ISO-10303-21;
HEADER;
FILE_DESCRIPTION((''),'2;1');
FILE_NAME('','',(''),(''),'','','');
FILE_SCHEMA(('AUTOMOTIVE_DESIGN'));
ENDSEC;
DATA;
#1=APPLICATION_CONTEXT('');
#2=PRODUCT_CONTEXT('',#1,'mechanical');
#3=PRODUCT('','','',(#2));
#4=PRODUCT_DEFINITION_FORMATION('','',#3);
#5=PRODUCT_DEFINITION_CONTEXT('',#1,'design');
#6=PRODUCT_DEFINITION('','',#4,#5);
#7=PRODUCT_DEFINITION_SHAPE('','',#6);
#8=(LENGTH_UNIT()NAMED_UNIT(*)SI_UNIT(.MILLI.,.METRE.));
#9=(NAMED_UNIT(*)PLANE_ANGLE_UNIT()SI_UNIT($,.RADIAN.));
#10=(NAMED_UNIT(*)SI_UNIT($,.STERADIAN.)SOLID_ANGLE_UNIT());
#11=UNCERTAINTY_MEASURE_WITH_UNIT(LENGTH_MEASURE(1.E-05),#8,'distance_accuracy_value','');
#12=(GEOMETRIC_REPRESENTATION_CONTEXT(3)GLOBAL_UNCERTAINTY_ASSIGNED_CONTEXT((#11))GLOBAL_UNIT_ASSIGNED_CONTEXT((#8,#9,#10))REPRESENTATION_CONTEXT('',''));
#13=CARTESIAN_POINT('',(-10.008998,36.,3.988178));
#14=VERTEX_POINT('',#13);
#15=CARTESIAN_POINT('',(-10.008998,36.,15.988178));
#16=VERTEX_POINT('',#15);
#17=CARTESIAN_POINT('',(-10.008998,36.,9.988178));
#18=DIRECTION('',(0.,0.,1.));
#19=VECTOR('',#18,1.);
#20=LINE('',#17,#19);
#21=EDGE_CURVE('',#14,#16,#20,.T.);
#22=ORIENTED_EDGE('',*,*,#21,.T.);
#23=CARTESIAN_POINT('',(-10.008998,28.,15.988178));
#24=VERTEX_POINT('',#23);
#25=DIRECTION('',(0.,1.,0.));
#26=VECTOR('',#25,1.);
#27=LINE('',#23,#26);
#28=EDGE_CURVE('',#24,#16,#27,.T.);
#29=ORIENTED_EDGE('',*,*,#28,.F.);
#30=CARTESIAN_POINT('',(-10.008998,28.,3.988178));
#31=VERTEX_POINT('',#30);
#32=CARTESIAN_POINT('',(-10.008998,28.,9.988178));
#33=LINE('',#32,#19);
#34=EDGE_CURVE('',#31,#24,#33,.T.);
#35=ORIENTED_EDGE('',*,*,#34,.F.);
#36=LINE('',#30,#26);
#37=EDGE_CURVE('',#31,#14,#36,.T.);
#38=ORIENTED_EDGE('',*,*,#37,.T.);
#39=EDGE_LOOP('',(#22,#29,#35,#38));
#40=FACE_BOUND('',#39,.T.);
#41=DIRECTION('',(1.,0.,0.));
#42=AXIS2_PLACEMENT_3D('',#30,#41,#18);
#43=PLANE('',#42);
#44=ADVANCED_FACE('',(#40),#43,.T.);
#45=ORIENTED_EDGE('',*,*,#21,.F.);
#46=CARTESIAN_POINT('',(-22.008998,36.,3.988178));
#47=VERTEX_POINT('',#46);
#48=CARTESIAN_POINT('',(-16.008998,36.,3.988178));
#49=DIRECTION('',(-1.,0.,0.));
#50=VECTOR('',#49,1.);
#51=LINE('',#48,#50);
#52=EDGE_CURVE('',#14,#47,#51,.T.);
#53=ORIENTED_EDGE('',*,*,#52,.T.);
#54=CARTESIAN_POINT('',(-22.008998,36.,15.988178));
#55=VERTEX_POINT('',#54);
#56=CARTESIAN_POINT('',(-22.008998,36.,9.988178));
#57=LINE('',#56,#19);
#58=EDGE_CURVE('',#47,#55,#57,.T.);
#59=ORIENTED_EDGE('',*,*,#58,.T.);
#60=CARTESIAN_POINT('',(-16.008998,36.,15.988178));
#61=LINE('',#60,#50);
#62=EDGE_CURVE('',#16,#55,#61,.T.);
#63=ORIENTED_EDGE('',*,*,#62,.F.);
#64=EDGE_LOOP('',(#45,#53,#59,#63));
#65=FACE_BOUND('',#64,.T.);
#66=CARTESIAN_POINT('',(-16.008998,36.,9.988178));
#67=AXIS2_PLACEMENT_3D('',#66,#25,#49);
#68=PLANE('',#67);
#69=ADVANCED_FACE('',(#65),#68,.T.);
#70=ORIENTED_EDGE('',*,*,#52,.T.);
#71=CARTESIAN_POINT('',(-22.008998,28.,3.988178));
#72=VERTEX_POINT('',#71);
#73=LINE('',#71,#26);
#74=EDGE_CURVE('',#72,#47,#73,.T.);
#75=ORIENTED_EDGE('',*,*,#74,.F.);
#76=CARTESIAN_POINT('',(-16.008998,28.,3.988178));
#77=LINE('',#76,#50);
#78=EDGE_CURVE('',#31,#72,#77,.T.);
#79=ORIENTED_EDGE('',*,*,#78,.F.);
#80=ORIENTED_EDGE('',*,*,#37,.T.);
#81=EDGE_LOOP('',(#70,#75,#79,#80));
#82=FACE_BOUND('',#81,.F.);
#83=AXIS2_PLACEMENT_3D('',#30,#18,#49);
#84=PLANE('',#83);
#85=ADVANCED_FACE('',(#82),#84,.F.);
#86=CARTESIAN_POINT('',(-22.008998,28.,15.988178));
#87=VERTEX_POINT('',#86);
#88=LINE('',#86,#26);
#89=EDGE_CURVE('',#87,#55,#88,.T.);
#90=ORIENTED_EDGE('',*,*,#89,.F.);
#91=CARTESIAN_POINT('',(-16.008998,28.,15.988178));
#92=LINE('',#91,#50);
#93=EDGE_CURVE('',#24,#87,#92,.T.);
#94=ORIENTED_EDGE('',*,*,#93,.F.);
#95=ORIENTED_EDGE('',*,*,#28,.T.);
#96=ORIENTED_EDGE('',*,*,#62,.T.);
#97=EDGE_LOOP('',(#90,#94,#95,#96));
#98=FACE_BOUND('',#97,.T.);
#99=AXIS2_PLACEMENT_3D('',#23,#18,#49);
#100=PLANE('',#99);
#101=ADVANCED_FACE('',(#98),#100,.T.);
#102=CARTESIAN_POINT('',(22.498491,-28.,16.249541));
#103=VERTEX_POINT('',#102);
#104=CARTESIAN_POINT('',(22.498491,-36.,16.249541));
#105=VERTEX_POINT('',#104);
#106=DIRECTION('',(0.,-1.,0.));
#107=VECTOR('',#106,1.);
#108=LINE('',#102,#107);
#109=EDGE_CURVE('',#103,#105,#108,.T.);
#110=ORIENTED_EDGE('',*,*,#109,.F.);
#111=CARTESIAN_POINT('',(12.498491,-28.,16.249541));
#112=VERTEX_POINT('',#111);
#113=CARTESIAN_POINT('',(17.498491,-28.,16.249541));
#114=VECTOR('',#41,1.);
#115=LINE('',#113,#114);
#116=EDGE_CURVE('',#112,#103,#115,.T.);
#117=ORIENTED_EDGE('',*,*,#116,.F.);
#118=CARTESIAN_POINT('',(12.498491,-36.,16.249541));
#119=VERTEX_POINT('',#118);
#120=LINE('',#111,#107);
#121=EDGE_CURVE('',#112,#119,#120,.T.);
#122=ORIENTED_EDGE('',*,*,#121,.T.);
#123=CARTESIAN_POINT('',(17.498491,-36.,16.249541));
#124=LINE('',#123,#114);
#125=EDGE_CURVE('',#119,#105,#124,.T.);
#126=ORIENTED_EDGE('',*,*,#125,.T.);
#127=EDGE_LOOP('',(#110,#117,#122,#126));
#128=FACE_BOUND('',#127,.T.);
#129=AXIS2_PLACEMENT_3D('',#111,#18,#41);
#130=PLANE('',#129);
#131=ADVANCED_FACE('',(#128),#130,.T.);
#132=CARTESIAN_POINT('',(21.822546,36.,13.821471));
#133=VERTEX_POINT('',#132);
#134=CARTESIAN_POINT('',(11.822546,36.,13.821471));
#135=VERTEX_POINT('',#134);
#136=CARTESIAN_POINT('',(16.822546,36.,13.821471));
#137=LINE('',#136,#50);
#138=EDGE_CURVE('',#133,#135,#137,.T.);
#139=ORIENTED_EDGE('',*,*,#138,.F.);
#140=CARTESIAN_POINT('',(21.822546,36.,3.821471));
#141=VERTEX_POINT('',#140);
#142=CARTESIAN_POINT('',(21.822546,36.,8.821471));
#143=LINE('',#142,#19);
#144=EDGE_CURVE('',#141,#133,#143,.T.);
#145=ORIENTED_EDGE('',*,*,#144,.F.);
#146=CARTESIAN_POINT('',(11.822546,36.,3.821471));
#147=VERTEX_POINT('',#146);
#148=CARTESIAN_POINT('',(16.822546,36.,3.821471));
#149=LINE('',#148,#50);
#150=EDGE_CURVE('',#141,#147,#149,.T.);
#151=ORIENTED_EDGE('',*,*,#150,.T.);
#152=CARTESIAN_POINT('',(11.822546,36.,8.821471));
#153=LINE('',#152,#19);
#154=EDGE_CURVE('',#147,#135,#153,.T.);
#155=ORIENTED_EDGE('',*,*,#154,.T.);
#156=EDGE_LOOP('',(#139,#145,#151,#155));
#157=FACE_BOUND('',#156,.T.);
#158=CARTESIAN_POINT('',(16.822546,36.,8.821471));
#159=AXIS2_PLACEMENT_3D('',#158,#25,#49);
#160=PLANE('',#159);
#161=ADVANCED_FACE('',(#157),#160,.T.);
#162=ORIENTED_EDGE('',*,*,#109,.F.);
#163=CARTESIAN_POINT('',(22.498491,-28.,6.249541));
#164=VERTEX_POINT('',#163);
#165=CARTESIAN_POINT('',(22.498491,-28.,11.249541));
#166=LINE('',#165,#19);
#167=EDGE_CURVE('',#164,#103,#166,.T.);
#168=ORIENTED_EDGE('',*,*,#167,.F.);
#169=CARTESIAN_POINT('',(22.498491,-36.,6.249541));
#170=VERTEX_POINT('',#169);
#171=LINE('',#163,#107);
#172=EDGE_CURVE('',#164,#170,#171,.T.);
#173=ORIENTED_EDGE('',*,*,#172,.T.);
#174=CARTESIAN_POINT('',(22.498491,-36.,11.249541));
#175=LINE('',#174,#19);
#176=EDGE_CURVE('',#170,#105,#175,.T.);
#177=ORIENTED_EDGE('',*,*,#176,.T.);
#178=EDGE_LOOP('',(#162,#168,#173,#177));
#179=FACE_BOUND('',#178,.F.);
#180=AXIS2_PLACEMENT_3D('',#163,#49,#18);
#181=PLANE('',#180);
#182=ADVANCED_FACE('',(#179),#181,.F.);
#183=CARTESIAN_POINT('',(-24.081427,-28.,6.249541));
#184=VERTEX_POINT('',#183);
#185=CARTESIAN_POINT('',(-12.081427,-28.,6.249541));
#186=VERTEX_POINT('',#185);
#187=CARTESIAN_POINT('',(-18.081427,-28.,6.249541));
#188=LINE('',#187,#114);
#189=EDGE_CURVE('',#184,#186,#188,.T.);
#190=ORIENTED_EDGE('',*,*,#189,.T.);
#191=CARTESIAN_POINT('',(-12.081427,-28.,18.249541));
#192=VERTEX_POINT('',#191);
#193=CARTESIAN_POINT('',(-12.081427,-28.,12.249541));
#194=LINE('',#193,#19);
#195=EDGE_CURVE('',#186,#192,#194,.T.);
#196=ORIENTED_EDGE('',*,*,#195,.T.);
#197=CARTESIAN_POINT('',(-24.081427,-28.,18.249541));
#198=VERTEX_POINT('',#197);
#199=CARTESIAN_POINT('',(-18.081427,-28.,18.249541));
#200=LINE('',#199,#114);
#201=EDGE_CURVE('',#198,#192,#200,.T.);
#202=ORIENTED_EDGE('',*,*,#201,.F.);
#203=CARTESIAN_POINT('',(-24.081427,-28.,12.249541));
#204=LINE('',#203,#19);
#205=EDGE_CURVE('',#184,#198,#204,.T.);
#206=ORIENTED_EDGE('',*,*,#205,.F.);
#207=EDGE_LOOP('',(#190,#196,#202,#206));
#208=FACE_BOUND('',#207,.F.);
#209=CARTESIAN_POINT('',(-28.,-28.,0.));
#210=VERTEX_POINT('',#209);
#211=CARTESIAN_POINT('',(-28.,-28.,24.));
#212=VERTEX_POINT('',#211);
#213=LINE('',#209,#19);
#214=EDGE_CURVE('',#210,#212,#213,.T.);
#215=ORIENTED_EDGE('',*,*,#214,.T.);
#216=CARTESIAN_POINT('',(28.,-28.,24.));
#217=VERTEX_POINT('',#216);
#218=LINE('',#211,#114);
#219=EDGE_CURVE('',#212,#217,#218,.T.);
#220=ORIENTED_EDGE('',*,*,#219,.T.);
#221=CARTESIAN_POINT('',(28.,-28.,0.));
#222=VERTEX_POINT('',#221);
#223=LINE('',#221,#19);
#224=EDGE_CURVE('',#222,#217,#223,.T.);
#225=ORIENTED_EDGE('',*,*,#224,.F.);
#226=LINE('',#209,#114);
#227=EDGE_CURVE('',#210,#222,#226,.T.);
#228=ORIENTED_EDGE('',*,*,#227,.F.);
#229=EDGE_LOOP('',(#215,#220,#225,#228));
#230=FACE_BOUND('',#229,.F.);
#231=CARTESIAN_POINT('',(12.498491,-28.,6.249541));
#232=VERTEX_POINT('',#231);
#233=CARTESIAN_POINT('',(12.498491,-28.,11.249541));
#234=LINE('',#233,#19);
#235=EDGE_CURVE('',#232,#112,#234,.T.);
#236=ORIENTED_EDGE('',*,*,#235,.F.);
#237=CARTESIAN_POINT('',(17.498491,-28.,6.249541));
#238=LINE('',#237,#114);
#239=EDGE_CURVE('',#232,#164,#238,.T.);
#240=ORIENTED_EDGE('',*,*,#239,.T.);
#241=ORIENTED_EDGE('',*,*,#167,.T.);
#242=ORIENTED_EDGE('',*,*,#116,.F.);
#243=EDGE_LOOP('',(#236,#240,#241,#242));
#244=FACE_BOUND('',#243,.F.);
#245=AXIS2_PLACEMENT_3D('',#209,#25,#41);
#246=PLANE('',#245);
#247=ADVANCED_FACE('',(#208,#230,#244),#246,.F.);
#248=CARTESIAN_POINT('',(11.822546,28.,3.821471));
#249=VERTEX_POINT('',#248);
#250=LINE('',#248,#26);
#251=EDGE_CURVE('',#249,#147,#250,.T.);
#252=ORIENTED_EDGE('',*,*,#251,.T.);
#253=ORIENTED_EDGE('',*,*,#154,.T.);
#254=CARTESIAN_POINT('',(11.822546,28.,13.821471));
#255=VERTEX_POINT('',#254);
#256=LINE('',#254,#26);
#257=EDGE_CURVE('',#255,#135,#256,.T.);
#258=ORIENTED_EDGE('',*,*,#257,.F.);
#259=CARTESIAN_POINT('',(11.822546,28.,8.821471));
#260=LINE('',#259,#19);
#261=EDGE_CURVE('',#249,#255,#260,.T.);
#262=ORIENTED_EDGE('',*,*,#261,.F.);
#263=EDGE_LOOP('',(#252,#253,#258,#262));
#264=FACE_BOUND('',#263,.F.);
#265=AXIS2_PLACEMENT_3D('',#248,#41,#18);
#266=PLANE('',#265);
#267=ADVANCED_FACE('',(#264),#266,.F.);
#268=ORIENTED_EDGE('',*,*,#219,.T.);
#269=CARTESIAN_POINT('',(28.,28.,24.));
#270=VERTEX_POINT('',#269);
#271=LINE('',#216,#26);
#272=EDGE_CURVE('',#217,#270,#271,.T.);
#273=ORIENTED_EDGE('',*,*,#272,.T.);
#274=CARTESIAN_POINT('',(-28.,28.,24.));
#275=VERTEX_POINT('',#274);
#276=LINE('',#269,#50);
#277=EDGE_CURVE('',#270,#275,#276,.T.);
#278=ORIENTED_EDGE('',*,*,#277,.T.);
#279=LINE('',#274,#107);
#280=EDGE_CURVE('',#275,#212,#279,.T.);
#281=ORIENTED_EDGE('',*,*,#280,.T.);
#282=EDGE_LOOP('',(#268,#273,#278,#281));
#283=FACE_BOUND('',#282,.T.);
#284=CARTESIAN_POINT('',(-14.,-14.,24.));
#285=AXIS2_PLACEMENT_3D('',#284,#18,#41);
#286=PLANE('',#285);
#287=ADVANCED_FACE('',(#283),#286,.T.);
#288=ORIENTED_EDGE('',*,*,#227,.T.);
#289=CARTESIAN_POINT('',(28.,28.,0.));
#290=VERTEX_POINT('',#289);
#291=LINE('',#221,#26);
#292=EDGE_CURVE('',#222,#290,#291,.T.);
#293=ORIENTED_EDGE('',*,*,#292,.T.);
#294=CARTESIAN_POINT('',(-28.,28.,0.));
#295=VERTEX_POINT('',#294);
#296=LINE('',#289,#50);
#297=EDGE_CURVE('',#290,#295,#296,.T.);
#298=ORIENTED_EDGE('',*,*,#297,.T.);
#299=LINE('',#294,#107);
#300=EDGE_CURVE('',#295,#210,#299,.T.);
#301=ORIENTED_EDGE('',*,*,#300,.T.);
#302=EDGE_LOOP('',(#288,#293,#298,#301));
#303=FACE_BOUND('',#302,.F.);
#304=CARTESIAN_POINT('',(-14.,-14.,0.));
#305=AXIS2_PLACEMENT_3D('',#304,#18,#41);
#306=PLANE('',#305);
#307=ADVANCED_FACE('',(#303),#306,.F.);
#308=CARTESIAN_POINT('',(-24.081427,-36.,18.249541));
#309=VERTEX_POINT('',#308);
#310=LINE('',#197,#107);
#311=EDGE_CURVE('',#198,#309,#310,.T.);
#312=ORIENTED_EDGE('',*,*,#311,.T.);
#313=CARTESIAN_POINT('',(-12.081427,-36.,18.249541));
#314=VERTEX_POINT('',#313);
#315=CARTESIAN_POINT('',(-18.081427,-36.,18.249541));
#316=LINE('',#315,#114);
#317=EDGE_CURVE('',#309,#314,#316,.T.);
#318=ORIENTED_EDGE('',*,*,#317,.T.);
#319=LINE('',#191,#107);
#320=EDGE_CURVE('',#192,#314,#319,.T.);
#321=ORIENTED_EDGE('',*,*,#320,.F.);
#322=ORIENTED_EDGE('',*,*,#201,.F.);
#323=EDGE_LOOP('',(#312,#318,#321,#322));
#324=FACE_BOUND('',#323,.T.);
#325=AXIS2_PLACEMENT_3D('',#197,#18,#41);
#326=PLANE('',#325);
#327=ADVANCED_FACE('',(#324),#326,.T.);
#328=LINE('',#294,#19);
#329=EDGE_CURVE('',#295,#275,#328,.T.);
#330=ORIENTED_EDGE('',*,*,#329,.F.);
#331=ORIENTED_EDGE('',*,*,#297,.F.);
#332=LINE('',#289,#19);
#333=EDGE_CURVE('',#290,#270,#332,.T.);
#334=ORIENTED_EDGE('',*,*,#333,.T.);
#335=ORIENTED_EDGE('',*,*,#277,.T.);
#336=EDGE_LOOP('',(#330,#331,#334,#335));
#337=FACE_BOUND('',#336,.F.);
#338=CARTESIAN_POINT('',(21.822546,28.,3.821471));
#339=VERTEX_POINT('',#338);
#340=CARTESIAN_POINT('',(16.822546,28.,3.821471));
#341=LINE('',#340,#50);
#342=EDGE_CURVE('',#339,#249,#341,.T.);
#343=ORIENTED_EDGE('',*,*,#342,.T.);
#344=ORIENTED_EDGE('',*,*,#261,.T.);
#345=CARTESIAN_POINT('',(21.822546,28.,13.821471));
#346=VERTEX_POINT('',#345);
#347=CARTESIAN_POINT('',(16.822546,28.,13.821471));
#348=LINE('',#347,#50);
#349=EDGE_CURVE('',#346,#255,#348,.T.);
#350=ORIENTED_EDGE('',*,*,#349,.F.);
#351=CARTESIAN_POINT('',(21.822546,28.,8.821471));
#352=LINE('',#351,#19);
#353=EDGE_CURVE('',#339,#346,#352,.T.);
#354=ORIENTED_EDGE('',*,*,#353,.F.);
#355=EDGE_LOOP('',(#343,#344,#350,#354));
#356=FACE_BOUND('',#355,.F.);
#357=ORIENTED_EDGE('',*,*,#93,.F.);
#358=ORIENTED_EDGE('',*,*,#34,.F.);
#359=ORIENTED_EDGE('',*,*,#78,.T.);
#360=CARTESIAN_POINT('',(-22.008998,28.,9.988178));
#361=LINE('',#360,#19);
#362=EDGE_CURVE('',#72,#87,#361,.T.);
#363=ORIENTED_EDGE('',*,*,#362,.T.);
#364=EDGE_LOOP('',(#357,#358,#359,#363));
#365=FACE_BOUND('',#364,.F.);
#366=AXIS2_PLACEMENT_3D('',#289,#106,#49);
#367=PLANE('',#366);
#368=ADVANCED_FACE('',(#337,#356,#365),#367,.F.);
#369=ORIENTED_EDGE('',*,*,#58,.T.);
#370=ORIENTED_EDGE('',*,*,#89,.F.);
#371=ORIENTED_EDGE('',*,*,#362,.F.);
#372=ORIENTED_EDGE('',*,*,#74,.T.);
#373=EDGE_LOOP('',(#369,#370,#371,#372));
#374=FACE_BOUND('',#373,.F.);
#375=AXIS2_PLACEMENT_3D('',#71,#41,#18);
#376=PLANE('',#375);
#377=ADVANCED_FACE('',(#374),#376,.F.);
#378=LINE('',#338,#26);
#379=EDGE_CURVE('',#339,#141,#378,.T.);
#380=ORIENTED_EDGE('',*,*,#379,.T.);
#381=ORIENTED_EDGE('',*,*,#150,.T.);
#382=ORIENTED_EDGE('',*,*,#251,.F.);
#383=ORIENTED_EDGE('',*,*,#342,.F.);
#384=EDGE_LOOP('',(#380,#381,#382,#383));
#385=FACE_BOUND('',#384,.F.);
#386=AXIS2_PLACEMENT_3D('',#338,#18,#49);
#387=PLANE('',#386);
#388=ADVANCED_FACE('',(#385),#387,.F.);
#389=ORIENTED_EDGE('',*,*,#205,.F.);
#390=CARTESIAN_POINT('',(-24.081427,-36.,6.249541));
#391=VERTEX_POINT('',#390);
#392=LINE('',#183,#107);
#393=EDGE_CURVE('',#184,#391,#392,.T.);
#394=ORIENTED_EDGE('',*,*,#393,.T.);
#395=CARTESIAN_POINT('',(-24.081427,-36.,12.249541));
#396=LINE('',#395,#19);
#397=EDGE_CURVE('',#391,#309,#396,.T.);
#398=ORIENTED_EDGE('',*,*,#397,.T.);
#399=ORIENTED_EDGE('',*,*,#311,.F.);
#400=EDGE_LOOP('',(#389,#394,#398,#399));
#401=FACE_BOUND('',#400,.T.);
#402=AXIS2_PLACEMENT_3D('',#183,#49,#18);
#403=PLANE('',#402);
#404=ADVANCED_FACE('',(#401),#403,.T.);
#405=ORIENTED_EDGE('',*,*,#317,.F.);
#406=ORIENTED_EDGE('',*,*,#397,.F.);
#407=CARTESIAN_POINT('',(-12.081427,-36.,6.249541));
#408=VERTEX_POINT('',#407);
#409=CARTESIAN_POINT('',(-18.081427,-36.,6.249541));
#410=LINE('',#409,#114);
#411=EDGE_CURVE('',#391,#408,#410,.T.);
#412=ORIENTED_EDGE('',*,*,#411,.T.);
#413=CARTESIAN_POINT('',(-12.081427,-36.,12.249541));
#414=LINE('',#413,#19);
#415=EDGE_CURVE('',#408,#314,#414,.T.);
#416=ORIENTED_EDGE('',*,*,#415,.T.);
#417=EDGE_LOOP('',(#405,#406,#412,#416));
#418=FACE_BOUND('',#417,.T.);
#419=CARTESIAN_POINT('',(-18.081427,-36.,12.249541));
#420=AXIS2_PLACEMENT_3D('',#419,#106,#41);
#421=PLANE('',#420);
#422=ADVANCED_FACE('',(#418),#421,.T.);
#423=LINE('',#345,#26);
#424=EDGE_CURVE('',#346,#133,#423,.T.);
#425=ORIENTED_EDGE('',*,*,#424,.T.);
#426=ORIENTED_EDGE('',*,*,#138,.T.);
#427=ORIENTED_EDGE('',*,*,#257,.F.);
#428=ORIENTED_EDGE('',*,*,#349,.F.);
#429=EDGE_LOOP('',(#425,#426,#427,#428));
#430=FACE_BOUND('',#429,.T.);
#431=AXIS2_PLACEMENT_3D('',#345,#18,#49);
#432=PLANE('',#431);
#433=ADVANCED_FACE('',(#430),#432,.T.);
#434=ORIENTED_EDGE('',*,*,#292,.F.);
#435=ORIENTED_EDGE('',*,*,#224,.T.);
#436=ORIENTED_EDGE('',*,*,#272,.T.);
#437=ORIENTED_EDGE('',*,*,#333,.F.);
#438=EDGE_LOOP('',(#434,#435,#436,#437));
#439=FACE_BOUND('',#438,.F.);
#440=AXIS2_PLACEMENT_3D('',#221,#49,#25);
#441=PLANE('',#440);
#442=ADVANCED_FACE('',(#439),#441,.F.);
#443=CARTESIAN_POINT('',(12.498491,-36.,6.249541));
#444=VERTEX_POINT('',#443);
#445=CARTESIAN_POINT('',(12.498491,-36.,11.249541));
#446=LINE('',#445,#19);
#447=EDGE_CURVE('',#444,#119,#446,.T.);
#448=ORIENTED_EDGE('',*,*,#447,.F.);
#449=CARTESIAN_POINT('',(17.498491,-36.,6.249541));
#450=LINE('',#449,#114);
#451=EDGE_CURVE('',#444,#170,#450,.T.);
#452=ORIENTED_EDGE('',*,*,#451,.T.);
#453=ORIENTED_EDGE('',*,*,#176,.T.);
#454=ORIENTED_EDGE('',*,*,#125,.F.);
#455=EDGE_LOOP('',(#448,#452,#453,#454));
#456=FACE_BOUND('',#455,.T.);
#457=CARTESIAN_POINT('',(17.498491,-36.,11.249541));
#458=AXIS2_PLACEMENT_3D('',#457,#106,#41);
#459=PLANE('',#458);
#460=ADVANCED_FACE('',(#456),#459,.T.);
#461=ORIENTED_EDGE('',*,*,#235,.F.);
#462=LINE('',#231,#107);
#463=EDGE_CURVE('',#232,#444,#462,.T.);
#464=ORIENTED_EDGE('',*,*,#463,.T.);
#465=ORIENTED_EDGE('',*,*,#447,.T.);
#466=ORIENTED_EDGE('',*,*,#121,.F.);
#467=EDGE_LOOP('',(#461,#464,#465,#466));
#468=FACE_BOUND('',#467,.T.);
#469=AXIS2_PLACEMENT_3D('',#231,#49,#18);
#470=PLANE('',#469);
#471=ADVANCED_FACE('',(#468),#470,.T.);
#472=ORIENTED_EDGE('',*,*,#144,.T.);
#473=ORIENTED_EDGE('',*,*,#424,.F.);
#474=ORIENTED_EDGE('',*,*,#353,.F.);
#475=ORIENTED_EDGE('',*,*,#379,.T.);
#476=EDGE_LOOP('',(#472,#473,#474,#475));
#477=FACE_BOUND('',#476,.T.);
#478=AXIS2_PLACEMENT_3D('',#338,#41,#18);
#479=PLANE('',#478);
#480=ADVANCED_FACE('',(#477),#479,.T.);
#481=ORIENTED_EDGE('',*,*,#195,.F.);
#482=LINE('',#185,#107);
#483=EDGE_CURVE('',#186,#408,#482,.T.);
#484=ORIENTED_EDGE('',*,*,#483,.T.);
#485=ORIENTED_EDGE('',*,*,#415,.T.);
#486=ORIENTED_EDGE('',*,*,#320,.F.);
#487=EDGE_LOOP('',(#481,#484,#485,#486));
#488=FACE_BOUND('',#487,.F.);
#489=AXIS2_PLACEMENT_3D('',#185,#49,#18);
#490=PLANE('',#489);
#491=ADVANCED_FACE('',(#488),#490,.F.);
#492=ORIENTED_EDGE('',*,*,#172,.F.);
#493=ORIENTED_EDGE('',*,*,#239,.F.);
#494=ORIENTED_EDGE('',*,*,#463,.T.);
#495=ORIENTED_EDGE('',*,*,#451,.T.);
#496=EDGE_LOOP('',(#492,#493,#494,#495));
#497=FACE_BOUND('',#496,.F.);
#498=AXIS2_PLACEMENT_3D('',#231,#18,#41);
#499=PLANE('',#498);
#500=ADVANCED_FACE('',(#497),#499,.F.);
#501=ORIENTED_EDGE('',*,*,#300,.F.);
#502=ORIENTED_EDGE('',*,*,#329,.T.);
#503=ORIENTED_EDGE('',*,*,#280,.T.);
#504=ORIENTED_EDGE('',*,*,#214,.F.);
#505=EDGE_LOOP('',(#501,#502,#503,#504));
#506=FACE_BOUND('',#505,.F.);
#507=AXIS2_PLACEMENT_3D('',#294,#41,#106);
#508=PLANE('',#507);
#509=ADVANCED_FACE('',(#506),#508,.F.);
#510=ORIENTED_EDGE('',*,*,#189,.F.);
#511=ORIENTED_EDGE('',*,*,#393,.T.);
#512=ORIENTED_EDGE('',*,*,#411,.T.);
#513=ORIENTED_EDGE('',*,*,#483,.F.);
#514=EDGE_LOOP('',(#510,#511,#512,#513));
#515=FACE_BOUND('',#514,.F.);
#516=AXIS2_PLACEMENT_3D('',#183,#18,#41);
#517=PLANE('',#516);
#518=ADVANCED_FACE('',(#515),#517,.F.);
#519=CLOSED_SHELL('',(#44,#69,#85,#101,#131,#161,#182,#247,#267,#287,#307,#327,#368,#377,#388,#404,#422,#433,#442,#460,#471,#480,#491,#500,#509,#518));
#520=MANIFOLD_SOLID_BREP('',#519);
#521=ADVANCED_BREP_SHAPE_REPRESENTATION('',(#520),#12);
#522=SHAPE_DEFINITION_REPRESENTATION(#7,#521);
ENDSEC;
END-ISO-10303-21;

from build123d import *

# Parameters (mm, degrees)
F0_W     = 28
F0_H     = 28
F1_DEPTH = 24
F2_W     = 10
F2_H     = 10
F2_W_2   = 12
F2_H_2   = 12
F3_DEPTH = 8
F4_W     = 12
F4_H     = 12
F4_W_2   = 10
F4_H_2   = 10
F5_DEPTH = 8


with BuildPart() as f1:
    # F0 (on Top) → F1 (new body)
    with BuildSketch(Plane.XY):
        with Locations((-14, -14)):
            Rectangle(F0_W, F0_H)
        with Locations((14, -14)):
            Rectangle(F0_W, F0_H)
        with Locations((14, 14)):
            Rectangle(F0_W, F0_H)
        with Locations((-14, 14)):
            Rectangle(F0_W, F0_H)
    extrude(amount=F1_DEPTH)

    # F2 (on face) → F3 (join)
    with BuildSketch(Plane(origin=(0, 28, 0), x_dir=(-1, 0, 0), z_dir=(0, 1, 0))):
        with Locations((-16.822546, 8.821471)):
            Rectangle(F2_W, F2_H)
        with Locations((16.008998, 9.988178)):
            Rectangle(F2_W_2, F2_H_2)
    extrude(amount=F3_DEPTH)

    # F4 (on face) → F5 (join)
    with BuildSketch(Plane.XZ.offset(28)):
        with Locations((-18.081427, 12.249541)):
            Rectangle(F4_W, F4_H)
        with Locations((17.498491, 11.249541)):
            Rectangle(F4_W_2, F4_H_2)
    extrude(amount=F5_DEPTH)


solid = f1.part
